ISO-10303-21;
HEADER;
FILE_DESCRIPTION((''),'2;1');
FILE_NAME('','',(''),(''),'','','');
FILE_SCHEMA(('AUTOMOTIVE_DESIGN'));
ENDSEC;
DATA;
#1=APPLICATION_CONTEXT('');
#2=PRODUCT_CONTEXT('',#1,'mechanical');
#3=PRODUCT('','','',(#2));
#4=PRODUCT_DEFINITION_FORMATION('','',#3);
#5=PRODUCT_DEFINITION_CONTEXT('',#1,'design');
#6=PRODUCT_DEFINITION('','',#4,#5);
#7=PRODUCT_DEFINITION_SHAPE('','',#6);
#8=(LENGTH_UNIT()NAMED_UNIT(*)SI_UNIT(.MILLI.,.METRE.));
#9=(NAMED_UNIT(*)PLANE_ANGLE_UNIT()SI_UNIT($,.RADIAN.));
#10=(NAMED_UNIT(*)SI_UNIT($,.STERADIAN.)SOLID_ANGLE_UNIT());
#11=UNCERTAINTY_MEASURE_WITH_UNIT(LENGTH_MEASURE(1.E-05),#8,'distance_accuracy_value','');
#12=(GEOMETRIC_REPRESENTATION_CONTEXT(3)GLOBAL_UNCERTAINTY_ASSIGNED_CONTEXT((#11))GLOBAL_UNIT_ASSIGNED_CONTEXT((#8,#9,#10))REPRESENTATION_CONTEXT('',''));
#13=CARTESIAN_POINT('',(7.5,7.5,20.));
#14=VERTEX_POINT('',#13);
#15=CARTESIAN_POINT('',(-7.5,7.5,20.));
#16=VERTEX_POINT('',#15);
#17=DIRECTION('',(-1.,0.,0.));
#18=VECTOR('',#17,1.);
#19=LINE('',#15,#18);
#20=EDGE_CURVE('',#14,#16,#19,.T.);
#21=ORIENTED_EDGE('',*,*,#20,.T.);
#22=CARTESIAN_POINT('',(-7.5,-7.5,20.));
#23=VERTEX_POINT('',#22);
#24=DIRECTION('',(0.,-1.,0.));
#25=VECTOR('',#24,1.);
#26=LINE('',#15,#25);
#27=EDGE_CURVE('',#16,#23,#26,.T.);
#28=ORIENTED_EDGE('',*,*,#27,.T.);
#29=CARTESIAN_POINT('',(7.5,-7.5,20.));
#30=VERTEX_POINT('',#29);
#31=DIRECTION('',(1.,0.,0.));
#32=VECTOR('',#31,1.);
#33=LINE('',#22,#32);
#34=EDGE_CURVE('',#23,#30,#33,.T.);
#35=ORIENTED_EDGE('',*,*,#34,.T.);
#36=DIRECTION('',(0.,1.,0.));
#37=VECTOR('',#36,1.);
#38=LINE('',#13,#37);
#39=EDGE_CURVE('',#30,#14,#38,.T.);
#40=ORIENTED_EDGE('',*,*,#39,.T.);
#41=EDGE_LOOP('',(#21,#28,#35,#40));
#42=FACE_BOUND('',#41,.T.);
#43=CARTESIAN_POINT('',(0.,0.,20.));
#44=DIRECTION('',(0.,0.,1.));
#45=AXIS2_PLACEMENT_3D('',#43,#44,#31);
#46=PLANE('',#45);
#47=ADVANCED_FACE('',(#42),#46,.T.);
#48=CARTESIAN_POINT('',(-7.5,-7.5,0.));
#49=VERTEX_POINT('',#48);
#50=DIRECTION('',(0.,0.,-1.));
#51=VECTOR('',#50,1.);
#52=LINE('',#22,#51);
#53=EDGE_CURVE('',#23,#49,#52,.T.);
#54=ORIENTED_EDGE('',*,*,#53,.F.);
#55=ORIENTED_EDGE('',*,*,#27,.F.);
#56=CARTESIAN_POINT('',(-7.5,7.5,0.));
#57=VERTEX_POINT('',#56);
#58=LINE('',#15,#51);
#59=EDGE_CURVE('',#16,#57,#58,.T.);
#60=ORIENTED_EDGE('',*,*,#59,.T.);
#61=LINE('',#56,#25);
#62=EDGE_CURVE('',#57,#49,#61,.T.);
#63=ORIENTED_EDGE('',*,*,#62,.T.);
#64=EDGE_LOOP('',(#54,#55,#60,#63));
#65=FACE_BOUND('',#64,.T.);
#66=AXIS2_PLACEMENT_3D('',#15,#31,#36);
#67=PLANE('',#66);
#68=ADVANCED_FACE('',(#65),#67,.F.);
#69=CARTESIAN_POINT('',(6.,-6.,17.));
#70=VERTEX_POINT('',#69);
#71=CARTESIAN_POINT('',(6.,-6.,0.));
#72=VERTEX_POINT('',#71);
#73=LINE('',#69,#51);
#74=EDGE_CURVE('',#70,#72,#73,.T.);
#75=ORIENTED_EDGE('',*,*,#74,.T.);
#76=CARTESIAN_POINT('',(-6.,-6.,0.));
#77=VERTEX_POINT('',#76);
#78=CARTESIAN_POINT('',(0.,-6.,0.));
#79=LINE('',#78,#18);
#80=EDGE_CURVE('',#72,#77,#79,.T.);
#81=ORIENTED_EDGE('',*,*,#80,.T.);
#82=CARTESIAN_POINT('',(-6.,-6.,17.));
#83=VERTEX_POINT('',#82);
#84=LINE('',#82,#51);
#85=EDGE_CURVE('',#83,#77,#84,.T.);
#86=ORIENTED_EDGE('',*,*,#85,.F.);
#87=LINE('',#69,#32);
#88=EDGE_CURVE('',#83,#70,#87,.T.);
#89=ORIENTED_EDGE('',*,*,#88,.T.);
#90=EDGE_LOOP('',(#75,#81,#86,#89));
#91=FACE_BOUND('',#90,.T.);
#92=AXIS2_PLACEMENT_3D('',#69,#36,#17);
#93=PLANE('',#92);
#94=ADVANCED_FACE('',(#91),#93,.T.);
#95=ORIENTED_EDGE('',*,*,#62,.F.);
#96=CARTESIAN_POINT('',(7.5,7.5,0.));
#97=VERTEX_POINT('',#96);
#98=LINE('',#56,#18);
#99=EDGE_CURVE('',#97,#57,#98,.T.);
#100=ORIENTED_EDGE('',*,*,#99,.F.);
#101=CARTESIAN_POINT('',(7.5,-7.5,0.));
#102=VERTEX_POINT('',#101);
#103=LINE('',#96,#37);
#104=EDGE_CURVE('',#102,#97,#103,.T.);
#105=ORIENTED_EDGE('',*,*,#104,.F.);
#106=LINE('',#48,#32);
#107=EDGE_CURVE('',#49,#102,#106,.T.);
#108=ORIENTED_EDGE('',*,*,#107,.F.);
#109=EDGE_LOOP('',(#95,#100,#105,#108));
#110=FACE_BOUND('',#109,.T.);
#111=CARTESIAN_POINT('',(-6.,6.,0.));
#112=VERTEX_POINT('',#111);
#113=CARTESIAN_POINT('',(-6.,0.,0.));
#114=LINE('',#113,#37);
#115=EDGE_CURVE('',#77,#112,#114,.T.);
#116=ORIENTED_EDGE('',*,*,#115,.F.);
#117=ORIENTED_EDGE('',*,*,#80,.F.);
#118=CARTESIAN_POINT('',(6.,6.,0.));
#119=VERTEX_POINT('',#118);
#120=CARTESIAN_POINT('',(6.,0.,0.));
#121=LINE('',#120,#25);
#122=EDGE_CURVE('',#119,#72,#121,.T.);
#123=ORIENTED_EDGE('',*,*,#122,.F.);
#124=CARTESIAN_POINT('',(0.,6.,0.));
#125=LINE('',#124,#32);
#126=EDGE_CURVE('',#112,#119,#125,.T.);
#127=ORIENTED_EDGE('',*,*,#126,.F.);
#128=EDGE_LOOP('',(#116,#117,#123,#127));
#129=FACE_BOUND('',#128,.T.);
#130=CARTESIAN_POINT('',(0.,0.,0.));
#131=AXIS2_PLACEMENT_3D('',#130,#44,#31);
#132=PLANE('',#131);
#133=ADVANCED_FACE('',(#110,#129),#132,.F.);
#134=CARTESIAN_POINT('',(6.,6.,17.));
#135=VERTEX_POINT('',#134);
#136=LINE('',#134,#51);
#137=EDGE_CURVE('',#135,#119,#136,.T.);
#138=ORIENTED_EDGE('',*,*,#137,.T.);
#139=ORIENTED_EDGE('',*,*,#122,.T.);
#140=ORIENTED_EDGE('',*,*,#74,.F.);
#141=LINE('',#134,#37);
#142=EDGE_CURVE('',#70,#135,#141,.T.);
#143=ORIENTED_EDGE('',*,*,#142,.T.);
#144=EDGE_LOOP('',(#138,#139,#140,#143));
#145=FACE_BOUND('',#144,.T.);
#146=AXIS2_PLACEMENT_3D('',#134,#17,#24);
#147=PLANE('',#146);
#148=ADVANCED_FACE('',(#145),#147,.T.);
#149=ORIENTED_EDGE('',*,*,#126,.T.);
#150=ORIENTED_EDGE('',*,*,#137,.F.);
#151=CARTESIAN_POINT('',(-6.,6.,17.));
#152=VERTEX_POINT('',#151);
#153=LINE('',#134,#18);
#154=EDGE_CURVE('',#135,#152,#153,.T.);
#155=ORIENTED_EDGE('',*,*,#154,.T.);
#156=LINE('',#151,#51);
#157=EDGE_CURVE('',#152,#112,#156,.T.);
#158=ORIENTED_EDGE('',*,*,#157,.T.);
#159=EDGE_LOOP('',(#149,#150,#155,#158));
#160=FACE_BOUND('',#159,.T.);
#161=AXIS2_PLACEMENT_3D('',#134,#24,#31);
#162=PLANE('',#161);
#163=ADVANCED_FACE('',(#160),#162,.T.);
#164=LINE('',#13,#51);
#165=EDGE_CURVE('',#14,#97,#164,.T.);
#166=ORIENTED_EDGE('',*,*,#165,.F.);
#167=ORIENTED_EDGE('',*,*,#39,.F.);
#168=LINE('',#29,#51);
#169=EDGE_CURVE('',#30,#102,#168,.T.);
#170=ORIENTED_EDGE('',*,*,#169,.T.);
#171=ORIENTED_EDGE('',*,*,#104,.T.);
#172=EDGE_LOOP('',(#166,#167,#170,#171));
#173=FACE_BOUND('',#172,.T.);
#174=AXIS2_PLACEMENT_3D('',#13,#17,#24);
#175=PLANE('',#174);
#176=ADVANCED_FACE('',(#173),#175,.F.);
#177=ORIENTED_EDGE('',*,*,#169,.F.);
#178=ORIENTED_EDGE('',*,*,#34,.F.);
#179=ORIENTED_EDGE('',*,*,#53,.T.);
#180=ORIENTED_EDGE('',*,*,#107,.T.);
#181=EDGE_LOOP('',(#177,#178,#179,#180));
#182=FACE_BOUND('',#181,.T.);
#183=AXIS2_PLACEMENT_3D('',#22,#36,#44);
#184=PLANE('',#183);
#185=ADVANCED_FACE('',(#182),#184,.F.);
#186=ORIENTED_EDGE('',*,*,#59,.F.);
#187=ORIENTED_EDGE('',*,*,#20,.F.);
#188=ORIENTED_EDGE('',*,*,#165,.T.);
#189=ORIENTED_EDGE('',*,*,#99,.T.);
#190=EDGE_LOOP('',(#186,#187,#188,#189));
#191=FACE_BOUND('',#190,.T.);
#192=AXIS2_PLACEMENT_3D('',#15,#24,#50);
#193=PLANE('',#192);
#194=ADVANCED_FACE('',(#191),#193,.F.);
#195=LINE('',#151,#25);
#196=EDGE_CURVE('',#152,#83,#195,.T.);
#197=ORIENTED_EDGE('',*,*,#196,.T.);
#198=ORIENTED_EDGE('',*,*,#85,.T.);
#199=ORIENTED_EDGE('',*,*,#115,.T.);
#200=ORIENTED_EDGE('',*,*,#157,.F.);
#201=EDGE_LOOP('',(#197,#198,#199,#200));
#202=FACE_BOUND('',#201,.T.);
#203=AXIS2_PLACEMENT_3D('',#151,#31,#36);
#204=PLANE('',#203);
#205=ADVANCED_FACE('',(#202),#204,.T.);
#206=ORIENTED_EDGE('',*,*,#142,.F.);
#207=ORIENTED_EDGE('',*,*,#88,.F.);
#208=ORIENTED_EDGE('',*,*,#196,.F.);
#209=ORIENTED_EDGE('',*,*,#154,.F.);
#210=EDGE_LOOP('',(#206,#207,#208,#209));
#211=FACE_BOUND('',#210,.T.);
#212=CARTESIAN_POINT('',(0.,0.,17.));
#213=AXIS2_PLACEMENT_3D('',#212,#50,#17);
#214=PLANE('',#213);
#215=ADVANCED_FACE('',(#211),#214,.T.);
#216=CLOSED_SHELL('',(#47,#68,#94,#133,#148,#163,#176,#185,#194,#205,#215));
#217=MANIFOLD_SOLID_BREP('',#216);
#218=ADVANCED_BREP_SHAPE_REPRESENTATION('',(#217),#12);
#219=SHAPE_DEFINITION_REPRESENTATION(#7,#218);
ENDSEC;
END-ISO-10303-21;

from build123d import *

# Parameters (mm, degrees)
SKETCH_1_W               = 15
SKETCH_1_H               = 15
EXTRUDE_1_DEPTH          = 20
SKETCH_2_W               = 12
SKETCH_2_H               = 12
CUT_EXTRUDE_1_DEPTH      = 17
CUT_EXTRUDE_1_DEPTH_BACK = 0.001


with BuildPart() as part:
    # 草图1 → 凸台-拉伸1 (new body)
    with BuildSketch(Plane.XY):
        Rectangle(SKETCH_1_W, SKETCH_1_H)
    extrude(amount=EXTRUDE_1_DEPTH)

    # 草图2 → 切除-拉伸1 (cut, two sides)
    with BuildSketch(Plane.XY) as cut_extrude_1_sk:
        Rectangle(SKETCH_2_W, SKETCH_2_H)
    extrude(amount=CUT_EXTRUDE_1_DEPTH, mode=Mode.SUBTRACT)
    extrude(cut_extrude_1_sk.sketch, amount=-CUT_EXTRUDE_1_DEPTH_BACK, mode=Mode.SUBTRACT)


solid = part.part
